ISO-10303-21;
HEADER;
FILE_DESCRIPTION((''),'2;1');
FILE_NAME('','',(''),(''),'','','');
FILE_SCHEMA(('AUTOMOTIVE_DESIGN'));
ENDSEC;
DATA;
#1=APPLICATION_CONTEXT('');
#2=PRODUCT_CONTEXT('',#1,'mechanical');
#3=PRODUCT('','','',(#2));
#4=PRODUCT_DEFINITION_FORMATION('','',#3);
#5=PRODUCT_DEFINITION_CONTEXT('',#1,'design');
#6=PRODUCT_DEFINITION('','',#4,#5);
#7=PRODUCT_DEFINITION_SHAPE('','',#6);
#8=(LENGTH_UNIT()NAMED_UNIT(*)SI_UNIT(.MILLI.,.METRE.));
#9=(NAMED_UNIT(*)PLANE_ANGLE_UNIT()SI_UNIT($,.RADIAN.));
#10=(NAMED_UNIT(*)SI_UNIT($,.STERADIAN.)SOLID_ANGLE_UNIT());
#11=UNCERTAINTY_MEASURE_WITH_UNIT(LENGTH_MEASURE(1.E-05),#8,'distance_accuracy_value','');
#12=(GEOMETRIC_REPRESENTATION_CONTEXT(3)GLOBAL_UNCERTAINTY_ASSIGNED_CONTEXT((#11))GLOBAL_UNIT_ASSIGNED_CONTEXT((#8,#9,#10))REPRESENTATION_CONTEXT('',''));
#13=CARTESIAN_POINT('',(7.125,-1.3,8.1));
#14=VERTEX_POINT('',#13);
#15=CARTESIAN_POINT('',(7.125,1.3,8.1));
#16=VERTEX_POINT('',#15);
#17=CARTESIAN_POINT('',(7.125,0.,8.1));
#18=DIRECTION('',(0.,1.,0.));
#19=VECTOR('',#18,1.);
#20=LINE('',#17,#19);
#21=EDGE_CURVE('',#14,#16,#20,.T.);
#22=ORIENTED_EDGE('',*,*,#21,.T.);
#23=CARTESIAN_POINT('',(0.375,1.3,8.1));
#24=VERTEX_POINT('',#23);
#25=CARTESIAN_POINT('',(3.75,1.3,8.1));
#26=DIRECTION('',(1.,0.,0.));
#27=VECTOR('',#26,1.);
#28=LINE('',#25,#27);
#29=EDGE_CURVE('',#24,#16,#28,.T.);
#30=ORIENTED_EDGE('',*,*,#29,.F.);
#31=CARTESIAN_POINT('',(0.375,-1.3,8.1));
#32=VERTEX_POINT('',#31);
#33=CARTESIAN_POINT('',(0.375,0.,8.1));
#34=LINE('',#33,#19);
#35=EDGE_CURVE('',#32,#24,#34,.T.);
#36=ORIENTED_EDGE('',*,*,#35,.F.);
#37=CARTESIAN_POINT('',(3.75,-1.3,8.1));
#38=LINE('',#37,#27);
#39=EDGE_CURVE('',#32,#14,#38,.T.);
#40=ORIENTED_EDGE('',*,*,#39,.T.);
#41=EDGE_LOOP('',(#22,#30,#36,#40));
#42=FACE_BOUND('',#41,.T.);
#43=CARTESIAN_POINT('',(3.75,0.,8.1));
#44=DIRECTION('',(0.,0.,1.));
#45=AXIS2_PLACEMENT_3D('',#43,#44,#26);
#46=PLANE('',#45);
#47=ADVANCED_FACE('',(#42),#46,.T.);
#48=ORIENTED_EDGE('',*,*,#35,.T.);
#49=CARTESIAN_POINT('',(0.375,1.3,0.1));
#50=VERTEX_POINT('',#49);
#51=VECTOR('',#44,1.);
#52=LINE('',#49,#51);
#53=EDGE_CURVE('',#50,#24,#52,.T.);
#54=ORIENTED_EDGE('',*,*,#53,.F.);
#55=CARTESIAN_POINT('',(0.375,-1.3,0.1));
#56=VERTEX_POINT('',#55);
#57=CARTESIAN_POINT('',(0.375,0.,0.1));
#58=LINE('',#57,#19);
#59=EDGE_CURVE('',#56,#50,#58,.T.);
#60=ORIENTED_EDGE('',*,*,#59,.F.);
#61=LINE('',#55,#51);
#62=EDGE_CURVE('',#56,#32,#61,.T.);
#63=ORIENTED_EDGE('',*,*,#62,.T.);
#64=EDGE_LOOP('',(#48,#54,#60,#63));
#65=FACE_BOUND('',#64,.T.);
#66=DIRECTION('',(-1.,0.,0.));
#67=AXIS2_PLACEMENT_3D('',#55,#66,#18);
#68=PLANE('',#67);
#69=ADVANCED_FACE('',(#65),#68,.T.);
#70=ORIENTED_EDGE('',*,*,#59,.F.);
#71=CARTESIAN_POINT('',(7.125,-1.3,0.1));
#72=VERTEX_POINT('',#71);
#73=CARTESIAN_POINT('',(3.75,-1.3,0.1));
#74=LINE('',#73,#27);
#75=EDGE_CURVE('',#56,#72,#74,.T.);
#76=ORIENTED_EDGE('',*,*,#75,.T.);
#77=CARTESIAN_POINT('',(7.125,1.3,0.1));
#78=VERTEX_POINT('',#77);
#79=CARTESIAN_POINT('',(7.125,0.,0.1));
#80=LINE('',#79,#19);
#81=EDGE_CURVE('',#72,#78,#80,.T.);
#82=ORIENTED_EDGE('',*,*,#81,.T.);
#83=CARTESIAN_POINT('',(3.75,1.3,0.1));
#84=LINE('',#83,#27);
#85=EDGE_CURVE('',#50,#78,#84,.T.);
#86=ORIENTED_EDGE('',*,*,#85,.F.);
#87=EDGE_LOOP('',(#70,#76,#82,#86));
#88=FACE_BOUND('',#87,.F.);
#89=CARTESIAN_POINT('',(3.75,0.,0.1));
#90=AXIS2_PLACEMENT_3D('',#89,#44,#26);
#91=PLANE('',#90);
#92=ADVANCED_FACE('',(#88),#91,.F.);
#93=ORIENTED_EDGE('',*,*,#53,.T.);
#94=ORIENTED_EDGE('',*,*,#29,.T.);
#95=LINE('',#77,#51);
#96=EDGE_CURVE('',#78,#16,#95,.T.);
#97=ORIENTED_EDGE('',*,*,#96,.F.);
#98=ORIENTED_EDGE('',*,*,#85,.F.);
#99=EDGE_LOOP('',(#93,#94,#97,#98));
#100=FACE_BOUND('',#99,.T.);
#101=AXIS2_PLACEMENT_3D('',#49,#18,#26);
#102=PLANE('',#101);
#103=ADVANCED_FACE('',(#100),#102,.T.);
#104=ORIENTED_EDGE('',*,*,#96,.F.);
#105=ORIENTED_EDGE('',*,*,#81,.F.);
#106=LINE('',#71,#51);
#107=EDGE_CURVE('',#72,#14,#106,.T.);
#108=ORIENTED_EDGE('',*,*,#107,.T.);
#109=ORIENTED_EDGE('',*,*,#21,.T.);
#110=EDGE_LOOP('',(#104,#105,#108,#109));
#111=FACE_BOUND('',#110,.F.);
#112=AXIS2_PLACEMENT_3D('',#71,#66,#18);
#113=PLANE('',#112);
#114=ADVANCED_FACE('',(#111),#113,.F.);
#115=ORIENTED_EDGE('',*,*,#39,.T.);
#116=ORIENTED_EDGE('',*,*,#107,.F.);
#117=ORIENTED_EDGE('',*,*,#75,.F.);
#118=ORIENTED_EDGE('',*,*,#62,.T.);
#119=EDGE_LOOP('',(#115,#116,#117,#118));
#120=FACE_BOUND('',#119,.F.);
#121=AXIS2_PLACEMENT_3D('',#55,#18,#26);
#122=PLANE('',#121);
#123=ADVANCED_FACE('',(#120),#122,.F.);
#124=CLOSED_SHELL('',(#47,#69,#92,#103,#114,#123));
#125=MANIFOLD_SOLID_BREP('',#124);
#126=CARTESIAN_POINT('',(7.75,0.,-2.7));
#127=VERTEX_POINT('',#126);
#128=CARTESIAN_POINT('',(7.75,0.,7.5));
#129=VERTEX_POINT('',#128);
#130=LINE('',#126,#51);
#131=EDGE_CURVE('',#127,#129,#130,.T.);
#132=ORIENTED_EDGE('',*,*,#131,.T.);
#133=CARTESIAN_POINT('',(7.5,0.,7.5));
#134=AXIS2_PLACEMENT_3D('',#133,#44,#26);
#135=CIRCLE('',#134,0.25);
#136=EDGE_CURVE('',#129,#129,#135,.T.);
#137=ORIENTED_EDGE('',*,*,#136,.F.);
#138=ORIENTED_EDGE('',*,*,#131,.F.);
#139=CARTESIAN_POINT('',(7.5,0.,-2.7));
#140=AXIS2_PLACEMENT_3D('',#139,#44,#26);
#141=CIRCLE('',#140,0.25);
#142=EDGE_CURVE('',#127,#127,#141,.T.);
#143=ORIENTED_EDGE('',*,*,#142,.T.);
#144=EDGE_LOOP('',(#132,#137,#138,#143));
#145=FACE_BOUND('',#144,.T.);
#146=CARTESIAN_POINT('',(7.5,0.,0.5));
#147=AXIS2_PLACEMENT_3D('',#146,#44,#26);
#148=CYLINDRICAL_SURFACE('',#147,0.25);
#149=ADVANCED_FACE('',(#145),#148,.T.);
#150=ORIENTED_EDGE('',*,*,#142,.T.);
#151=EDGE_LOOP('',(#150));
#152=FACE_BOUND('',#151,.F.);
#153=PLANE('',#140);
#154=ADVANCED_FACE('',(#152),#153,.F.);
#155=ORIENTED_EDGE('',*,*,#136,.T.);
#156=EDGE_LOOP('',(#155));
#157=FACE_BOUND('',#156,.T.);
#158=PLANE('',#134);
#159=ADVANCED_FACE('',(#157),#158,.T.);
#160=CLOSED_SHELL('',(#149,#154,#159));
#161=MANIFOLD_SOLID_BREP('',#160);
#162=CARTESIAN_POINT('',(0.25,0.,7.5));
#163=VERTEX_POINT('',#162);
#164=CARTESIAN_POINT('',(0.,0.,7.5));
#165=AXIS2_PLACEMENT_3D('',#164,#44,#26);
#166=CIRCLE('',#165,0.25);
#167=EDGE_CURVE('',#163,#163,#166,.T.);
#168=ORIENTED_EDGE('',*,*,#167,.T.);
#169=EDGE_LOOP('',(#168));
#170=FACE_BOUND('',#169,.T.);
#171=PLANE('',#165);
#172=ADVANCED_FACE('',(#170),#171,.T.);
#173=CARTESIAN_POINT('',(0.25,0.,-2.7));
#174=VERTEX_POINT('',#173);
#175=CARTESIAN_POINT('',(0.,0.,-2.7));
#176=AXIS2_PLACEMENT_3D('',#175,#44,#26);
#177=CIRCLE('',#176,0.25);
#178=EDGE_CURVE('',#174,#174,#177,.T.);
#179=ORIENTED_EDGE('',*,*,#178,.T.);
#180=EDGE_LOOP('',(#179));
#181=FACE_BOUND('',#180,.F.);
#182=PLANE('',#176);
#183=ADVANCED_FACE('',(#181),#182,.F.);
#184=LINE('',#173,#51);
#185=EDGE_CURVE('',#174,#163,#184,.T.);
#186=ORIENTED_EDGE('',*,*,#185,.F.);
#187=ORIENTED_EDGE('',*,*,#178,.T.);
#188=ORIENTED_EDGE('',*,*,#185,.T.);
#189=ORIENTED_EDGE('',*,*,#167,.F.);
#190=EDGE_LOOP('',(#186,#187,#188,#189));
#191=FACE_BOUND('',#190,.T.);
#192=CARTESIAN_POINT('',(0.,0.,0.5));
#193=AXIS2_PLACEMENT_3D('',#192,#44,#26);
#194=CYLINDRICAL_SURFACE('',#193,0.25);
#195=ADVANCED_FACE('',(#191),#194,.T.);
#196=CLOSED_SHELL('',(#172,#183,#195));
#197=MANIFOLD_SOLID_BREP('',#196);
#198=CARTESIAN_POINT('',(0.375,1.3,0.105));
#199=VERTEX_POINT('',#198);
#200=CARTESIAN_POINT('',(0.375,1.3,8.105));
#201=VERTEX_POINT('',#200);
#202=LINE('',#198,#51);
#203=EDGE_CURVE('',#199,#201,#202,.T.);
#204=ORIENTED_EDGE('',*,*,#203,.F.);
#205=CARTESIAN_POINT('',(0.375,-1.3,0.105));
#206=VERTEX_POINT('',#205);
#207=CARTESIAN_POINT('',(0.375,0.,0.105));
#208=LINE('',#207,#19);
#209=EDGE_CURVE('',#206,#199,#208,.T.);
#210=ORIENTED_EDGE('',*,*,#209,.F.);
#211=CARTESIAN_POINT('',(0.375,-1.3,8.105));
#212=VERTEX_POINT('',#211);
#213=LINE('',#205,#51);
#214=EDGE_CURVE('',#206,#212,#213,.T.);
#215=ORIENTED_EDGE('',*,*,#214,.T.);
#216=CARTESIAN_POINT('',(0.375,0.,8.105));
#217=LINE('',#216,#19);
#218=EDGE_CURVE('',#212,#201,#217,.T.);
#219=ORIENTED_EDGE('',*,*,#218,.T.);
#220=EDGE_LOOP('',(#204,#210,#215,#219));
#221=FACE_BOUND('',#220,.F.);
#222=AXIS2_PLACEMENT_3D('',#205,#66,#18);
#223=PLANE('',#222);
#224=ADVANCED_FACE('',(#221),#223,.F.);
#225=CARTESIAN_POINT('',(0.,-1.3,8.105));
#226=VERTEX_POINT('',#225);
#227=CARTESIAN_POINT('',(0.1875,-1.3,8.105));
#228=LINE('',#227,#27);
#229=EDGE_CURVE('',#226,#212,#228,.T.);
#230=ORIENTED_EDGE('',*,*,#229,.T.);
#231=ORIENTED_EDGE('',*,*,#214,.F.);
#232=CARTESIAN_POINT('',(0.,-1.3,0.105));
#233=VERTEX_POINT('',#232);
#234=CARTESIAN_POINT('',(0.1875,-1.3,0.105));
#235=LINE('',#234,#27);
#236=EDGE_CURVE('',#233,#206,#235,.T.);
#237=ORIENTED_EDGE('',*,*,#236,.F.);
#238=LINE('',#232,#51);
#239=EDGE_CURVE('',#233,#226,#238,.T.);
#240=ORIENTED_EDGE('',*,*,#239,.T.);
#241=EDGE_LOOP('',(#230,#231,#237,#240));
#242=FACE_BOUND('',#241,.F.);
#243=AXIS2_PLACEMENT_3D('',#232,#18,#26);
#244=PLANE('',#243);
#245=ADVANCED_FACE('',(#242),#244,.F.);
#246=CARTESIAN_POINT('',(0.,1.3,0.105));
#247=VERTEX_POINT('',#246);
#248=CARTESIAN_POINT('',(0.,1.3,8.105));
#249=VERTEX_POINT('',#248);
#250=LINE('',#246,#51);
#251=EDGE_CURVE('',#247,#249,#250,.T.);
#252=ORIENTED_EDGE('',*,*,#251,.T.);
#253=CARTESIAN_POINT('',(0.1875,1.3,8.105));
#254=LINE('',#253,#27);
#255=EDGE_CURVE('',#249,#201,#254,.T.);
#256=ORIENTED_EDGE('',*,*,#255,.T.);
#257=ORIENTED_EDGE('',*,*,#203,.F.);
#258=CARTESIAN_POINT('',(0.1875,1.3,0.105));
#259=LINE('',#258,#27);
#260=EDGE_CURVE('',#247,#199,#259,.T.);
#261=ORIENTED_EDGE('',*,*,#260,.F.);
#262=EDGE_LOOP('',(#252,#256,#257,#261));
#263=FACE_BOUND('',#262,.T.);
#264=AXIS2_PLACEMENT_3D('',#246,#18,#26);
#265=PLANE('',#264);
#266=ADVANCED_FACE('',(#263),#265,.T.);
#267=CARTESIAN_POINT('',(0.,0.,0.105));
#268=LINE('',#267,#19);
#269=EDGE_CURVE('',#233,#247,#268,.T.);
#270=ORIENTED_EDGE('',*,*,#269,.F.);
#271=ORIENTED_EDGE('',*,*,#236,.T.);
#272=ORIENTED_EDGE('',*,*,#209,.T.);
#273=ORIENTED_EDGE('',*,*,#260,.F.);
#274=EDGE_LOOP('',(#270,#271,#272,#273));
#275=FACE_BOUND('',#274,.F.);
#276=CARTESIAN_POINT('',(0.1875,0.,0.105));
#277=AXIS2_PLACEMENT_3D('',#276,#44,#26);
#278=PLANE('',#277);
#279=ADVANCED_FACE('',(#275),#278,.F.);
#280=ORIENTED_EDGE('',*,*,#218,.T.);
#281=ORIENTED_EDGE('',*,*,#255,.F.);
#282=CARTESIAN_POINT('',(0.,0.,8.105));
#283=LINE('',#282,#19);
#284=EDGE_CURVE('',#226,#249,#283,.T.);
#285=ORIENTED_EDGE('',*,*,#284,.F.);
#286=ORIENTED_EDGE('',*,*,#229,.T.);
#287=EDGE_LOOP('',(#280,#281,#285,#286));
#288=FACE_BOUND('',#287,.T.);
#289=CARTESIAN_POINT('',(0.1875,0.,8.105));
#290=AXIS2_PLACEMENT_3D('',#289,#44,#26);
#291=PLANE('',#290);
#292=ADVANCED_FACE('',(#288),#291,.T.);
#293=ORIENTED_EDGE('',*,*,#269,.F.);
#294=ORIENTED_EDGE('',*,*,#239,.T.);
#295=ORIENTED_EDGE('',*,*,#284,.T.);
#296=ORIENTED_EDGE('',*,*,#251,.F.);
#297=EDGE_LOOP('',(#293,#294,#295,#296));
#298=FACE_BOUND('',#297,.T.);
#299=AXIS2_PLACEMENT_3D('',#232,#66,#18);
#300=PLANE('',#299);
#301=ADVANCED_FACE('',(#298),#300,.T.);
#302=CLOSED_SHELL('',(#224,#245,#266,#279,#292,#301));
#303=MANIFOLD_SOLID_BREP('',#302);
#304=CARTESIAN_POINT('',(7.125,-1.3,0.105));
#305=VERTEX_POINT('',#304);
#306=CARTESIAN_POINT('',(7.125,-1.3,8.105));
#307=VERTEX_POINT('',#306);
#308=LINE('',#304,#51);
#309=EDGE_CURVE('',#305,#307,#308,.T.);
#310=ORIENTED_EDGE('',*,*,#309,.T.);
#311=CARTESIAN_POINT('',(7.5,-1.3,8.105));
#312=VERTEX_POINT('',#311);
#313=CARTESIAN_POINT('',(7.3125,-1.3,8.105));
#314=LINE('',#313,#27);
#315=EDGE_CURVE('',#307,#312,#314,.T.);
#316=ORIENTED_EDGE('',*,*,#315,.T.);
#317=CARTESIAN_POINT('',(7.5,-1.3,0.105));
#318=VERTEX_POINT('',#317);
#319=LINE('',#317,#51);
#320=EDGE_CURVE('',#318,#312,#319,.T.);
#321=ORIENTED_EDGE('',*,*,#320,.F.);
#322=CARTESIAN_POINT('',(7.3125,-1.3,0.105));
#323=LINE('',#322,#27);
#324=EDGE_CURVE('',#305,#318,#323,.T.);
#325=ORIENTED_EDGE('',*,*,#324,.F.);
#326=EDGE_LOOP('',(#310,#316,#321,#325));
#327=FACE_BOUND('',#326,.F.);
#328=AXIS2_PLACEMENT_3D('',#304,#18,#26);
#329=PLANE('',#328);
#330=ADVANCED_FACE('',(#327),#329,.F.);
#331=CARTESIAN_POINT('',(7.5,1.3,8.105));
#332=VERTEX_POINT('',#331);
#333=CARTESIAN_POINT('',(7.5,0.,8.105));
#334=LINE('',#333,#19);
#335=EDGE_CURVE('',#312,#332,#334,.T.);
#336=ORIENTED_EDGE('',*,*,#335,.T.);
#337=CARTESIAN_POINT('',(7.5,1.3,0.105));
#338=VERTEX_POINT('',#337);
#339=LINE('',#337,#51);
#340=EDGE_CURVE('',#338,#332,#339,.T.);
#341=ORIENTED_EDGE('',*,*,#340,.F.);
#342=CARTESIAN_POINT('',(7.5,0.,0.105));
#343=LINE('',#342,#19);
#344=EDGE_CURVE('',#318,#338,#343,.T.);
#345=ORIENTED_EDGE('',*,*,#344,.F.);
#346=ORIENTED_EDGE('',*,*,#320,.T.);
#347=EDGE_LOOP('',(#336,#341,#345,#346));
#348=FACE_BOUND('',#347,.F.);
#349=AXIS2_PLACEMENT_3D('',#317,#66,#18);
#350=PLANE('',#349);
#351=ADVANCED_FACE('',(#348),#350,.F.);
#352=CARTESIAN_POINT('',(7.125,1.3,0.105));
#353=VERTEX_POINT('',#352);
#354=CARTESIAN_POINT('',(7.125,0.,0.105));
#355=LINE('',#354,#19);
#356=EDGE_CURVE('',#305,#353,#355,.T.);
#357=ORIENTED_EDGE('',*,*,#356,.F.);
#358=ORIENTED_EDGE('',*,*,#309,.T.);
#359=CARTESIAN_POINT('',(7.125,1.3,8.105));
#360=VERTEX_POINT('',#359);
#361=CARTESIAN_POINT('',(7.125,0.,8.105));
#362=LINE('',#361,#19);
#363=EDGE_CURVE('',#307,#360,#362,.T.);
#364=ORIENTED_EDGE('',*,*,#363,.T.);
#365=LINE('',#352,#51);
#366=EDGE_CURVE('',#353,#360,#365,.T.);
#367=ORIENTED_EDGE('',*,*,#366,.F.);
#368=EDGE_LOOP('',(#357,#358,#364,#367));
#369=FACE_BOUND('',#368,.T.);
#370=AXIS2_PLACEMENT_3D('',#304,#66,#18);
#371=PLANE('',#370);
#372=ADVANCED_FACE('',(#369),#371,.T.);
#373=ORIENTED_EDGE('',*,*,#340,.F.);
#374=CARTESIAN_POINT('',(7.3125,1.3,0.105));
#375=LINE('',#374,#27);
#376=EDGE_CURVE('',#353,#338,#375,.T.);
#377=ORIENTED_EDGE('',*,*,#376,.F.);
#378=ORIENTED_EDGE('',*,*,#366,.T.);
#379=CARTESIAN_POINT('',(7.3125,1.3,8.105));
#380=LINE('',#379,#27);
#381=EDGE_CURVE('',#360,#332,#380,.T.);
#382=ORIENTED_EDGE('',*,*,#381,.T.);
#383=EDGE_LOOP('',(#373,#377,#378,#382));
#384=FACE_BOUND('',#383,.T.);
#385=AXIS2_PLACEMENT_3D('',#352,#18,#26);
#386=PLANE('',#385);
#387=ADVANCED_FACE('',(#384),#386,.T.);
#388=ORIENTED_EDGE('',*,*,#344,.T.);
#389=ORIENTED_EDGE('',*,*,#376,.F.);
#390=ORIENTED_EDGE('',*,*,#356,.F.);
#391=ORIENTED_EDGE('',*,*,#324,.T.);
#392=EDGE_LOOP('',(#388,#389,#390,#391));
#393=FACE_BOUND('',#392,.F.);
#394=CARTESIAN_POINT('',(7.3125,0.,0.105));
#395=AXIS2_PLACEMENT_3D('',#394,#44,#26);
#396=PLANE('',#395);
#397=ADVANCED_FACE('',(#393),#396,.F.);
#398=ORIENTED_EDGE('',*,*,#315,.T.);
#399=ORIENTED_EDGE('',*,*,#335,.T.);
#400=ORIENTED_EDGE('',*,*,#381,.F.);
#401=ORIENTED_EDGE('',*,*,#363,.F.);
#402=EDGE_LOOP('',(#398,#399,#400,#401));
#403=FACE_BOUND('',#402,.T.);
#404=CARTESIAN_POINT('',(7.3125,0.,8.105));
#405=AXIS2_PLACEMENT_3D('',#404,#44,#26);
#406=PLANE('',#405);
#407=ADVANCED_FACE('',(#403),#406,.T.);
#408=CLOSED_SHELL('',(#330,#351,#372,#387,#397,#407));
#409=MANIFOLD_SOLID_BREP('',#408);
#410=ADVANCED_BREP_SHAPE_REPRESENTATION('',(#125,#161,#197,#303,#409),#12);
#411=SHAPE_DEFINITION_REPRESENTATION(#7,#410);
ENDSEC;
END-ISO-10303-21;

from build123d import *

# Parameters (mm, degrees)
SKETCH_W          = 6.75
SKETCH_H          = 2.6
PAD_DEPTH         = 8
SKETCH001_R       = 0.25
PAD001_DEPTH      = 7
PAD001_DEPTH_BACK = 3.2
SKETCH002_W       = 0.375
SKETCH002_H       = 2.6
PAD002_DEPTH      = 8


with BuildPart() as pad:
    # Sketch → Pad (new body)
    with BuildSketch(Plane.XY.offset(0.1)):
        with Locations((3.75, 0)):
            Rectangle(SKETCH_W, SKETCH_H)
    extrude(amount=PAD_DEPTH)


with BuildPart() as pad001:
    # Sketch001 → Pad001 (new body, two sides)
    with BuildSketch(Plane.XY.offset(0.5)) as pad001_sk:
        Circle(SKETCH001_R)
        with Locations((7.5, 0)):
            Circle(SKETCH001_R)
    extrude(amount=PAD001_DEPTH)
    extrude(pad001_sk.sketch, amount=-PAD001_DEPTH_BACK)


with BuildPart() as pad002:
    # Sketch002 → Pad002 (new body)
    with BuildSketch(Plane.XY.offset(0.105)):
        with Locations((0.1875, 0)):
            Rectangle(SKETCH002_W, SKETCH002_H)
        with Locations((7.3125, 0)):
            Rectangle(SKETCH002_W, SKETCH002_H)
    extrude(amount=PAD002_DEPTH)


solid = Compound([pad.part, pad001.part, pad002.part])
